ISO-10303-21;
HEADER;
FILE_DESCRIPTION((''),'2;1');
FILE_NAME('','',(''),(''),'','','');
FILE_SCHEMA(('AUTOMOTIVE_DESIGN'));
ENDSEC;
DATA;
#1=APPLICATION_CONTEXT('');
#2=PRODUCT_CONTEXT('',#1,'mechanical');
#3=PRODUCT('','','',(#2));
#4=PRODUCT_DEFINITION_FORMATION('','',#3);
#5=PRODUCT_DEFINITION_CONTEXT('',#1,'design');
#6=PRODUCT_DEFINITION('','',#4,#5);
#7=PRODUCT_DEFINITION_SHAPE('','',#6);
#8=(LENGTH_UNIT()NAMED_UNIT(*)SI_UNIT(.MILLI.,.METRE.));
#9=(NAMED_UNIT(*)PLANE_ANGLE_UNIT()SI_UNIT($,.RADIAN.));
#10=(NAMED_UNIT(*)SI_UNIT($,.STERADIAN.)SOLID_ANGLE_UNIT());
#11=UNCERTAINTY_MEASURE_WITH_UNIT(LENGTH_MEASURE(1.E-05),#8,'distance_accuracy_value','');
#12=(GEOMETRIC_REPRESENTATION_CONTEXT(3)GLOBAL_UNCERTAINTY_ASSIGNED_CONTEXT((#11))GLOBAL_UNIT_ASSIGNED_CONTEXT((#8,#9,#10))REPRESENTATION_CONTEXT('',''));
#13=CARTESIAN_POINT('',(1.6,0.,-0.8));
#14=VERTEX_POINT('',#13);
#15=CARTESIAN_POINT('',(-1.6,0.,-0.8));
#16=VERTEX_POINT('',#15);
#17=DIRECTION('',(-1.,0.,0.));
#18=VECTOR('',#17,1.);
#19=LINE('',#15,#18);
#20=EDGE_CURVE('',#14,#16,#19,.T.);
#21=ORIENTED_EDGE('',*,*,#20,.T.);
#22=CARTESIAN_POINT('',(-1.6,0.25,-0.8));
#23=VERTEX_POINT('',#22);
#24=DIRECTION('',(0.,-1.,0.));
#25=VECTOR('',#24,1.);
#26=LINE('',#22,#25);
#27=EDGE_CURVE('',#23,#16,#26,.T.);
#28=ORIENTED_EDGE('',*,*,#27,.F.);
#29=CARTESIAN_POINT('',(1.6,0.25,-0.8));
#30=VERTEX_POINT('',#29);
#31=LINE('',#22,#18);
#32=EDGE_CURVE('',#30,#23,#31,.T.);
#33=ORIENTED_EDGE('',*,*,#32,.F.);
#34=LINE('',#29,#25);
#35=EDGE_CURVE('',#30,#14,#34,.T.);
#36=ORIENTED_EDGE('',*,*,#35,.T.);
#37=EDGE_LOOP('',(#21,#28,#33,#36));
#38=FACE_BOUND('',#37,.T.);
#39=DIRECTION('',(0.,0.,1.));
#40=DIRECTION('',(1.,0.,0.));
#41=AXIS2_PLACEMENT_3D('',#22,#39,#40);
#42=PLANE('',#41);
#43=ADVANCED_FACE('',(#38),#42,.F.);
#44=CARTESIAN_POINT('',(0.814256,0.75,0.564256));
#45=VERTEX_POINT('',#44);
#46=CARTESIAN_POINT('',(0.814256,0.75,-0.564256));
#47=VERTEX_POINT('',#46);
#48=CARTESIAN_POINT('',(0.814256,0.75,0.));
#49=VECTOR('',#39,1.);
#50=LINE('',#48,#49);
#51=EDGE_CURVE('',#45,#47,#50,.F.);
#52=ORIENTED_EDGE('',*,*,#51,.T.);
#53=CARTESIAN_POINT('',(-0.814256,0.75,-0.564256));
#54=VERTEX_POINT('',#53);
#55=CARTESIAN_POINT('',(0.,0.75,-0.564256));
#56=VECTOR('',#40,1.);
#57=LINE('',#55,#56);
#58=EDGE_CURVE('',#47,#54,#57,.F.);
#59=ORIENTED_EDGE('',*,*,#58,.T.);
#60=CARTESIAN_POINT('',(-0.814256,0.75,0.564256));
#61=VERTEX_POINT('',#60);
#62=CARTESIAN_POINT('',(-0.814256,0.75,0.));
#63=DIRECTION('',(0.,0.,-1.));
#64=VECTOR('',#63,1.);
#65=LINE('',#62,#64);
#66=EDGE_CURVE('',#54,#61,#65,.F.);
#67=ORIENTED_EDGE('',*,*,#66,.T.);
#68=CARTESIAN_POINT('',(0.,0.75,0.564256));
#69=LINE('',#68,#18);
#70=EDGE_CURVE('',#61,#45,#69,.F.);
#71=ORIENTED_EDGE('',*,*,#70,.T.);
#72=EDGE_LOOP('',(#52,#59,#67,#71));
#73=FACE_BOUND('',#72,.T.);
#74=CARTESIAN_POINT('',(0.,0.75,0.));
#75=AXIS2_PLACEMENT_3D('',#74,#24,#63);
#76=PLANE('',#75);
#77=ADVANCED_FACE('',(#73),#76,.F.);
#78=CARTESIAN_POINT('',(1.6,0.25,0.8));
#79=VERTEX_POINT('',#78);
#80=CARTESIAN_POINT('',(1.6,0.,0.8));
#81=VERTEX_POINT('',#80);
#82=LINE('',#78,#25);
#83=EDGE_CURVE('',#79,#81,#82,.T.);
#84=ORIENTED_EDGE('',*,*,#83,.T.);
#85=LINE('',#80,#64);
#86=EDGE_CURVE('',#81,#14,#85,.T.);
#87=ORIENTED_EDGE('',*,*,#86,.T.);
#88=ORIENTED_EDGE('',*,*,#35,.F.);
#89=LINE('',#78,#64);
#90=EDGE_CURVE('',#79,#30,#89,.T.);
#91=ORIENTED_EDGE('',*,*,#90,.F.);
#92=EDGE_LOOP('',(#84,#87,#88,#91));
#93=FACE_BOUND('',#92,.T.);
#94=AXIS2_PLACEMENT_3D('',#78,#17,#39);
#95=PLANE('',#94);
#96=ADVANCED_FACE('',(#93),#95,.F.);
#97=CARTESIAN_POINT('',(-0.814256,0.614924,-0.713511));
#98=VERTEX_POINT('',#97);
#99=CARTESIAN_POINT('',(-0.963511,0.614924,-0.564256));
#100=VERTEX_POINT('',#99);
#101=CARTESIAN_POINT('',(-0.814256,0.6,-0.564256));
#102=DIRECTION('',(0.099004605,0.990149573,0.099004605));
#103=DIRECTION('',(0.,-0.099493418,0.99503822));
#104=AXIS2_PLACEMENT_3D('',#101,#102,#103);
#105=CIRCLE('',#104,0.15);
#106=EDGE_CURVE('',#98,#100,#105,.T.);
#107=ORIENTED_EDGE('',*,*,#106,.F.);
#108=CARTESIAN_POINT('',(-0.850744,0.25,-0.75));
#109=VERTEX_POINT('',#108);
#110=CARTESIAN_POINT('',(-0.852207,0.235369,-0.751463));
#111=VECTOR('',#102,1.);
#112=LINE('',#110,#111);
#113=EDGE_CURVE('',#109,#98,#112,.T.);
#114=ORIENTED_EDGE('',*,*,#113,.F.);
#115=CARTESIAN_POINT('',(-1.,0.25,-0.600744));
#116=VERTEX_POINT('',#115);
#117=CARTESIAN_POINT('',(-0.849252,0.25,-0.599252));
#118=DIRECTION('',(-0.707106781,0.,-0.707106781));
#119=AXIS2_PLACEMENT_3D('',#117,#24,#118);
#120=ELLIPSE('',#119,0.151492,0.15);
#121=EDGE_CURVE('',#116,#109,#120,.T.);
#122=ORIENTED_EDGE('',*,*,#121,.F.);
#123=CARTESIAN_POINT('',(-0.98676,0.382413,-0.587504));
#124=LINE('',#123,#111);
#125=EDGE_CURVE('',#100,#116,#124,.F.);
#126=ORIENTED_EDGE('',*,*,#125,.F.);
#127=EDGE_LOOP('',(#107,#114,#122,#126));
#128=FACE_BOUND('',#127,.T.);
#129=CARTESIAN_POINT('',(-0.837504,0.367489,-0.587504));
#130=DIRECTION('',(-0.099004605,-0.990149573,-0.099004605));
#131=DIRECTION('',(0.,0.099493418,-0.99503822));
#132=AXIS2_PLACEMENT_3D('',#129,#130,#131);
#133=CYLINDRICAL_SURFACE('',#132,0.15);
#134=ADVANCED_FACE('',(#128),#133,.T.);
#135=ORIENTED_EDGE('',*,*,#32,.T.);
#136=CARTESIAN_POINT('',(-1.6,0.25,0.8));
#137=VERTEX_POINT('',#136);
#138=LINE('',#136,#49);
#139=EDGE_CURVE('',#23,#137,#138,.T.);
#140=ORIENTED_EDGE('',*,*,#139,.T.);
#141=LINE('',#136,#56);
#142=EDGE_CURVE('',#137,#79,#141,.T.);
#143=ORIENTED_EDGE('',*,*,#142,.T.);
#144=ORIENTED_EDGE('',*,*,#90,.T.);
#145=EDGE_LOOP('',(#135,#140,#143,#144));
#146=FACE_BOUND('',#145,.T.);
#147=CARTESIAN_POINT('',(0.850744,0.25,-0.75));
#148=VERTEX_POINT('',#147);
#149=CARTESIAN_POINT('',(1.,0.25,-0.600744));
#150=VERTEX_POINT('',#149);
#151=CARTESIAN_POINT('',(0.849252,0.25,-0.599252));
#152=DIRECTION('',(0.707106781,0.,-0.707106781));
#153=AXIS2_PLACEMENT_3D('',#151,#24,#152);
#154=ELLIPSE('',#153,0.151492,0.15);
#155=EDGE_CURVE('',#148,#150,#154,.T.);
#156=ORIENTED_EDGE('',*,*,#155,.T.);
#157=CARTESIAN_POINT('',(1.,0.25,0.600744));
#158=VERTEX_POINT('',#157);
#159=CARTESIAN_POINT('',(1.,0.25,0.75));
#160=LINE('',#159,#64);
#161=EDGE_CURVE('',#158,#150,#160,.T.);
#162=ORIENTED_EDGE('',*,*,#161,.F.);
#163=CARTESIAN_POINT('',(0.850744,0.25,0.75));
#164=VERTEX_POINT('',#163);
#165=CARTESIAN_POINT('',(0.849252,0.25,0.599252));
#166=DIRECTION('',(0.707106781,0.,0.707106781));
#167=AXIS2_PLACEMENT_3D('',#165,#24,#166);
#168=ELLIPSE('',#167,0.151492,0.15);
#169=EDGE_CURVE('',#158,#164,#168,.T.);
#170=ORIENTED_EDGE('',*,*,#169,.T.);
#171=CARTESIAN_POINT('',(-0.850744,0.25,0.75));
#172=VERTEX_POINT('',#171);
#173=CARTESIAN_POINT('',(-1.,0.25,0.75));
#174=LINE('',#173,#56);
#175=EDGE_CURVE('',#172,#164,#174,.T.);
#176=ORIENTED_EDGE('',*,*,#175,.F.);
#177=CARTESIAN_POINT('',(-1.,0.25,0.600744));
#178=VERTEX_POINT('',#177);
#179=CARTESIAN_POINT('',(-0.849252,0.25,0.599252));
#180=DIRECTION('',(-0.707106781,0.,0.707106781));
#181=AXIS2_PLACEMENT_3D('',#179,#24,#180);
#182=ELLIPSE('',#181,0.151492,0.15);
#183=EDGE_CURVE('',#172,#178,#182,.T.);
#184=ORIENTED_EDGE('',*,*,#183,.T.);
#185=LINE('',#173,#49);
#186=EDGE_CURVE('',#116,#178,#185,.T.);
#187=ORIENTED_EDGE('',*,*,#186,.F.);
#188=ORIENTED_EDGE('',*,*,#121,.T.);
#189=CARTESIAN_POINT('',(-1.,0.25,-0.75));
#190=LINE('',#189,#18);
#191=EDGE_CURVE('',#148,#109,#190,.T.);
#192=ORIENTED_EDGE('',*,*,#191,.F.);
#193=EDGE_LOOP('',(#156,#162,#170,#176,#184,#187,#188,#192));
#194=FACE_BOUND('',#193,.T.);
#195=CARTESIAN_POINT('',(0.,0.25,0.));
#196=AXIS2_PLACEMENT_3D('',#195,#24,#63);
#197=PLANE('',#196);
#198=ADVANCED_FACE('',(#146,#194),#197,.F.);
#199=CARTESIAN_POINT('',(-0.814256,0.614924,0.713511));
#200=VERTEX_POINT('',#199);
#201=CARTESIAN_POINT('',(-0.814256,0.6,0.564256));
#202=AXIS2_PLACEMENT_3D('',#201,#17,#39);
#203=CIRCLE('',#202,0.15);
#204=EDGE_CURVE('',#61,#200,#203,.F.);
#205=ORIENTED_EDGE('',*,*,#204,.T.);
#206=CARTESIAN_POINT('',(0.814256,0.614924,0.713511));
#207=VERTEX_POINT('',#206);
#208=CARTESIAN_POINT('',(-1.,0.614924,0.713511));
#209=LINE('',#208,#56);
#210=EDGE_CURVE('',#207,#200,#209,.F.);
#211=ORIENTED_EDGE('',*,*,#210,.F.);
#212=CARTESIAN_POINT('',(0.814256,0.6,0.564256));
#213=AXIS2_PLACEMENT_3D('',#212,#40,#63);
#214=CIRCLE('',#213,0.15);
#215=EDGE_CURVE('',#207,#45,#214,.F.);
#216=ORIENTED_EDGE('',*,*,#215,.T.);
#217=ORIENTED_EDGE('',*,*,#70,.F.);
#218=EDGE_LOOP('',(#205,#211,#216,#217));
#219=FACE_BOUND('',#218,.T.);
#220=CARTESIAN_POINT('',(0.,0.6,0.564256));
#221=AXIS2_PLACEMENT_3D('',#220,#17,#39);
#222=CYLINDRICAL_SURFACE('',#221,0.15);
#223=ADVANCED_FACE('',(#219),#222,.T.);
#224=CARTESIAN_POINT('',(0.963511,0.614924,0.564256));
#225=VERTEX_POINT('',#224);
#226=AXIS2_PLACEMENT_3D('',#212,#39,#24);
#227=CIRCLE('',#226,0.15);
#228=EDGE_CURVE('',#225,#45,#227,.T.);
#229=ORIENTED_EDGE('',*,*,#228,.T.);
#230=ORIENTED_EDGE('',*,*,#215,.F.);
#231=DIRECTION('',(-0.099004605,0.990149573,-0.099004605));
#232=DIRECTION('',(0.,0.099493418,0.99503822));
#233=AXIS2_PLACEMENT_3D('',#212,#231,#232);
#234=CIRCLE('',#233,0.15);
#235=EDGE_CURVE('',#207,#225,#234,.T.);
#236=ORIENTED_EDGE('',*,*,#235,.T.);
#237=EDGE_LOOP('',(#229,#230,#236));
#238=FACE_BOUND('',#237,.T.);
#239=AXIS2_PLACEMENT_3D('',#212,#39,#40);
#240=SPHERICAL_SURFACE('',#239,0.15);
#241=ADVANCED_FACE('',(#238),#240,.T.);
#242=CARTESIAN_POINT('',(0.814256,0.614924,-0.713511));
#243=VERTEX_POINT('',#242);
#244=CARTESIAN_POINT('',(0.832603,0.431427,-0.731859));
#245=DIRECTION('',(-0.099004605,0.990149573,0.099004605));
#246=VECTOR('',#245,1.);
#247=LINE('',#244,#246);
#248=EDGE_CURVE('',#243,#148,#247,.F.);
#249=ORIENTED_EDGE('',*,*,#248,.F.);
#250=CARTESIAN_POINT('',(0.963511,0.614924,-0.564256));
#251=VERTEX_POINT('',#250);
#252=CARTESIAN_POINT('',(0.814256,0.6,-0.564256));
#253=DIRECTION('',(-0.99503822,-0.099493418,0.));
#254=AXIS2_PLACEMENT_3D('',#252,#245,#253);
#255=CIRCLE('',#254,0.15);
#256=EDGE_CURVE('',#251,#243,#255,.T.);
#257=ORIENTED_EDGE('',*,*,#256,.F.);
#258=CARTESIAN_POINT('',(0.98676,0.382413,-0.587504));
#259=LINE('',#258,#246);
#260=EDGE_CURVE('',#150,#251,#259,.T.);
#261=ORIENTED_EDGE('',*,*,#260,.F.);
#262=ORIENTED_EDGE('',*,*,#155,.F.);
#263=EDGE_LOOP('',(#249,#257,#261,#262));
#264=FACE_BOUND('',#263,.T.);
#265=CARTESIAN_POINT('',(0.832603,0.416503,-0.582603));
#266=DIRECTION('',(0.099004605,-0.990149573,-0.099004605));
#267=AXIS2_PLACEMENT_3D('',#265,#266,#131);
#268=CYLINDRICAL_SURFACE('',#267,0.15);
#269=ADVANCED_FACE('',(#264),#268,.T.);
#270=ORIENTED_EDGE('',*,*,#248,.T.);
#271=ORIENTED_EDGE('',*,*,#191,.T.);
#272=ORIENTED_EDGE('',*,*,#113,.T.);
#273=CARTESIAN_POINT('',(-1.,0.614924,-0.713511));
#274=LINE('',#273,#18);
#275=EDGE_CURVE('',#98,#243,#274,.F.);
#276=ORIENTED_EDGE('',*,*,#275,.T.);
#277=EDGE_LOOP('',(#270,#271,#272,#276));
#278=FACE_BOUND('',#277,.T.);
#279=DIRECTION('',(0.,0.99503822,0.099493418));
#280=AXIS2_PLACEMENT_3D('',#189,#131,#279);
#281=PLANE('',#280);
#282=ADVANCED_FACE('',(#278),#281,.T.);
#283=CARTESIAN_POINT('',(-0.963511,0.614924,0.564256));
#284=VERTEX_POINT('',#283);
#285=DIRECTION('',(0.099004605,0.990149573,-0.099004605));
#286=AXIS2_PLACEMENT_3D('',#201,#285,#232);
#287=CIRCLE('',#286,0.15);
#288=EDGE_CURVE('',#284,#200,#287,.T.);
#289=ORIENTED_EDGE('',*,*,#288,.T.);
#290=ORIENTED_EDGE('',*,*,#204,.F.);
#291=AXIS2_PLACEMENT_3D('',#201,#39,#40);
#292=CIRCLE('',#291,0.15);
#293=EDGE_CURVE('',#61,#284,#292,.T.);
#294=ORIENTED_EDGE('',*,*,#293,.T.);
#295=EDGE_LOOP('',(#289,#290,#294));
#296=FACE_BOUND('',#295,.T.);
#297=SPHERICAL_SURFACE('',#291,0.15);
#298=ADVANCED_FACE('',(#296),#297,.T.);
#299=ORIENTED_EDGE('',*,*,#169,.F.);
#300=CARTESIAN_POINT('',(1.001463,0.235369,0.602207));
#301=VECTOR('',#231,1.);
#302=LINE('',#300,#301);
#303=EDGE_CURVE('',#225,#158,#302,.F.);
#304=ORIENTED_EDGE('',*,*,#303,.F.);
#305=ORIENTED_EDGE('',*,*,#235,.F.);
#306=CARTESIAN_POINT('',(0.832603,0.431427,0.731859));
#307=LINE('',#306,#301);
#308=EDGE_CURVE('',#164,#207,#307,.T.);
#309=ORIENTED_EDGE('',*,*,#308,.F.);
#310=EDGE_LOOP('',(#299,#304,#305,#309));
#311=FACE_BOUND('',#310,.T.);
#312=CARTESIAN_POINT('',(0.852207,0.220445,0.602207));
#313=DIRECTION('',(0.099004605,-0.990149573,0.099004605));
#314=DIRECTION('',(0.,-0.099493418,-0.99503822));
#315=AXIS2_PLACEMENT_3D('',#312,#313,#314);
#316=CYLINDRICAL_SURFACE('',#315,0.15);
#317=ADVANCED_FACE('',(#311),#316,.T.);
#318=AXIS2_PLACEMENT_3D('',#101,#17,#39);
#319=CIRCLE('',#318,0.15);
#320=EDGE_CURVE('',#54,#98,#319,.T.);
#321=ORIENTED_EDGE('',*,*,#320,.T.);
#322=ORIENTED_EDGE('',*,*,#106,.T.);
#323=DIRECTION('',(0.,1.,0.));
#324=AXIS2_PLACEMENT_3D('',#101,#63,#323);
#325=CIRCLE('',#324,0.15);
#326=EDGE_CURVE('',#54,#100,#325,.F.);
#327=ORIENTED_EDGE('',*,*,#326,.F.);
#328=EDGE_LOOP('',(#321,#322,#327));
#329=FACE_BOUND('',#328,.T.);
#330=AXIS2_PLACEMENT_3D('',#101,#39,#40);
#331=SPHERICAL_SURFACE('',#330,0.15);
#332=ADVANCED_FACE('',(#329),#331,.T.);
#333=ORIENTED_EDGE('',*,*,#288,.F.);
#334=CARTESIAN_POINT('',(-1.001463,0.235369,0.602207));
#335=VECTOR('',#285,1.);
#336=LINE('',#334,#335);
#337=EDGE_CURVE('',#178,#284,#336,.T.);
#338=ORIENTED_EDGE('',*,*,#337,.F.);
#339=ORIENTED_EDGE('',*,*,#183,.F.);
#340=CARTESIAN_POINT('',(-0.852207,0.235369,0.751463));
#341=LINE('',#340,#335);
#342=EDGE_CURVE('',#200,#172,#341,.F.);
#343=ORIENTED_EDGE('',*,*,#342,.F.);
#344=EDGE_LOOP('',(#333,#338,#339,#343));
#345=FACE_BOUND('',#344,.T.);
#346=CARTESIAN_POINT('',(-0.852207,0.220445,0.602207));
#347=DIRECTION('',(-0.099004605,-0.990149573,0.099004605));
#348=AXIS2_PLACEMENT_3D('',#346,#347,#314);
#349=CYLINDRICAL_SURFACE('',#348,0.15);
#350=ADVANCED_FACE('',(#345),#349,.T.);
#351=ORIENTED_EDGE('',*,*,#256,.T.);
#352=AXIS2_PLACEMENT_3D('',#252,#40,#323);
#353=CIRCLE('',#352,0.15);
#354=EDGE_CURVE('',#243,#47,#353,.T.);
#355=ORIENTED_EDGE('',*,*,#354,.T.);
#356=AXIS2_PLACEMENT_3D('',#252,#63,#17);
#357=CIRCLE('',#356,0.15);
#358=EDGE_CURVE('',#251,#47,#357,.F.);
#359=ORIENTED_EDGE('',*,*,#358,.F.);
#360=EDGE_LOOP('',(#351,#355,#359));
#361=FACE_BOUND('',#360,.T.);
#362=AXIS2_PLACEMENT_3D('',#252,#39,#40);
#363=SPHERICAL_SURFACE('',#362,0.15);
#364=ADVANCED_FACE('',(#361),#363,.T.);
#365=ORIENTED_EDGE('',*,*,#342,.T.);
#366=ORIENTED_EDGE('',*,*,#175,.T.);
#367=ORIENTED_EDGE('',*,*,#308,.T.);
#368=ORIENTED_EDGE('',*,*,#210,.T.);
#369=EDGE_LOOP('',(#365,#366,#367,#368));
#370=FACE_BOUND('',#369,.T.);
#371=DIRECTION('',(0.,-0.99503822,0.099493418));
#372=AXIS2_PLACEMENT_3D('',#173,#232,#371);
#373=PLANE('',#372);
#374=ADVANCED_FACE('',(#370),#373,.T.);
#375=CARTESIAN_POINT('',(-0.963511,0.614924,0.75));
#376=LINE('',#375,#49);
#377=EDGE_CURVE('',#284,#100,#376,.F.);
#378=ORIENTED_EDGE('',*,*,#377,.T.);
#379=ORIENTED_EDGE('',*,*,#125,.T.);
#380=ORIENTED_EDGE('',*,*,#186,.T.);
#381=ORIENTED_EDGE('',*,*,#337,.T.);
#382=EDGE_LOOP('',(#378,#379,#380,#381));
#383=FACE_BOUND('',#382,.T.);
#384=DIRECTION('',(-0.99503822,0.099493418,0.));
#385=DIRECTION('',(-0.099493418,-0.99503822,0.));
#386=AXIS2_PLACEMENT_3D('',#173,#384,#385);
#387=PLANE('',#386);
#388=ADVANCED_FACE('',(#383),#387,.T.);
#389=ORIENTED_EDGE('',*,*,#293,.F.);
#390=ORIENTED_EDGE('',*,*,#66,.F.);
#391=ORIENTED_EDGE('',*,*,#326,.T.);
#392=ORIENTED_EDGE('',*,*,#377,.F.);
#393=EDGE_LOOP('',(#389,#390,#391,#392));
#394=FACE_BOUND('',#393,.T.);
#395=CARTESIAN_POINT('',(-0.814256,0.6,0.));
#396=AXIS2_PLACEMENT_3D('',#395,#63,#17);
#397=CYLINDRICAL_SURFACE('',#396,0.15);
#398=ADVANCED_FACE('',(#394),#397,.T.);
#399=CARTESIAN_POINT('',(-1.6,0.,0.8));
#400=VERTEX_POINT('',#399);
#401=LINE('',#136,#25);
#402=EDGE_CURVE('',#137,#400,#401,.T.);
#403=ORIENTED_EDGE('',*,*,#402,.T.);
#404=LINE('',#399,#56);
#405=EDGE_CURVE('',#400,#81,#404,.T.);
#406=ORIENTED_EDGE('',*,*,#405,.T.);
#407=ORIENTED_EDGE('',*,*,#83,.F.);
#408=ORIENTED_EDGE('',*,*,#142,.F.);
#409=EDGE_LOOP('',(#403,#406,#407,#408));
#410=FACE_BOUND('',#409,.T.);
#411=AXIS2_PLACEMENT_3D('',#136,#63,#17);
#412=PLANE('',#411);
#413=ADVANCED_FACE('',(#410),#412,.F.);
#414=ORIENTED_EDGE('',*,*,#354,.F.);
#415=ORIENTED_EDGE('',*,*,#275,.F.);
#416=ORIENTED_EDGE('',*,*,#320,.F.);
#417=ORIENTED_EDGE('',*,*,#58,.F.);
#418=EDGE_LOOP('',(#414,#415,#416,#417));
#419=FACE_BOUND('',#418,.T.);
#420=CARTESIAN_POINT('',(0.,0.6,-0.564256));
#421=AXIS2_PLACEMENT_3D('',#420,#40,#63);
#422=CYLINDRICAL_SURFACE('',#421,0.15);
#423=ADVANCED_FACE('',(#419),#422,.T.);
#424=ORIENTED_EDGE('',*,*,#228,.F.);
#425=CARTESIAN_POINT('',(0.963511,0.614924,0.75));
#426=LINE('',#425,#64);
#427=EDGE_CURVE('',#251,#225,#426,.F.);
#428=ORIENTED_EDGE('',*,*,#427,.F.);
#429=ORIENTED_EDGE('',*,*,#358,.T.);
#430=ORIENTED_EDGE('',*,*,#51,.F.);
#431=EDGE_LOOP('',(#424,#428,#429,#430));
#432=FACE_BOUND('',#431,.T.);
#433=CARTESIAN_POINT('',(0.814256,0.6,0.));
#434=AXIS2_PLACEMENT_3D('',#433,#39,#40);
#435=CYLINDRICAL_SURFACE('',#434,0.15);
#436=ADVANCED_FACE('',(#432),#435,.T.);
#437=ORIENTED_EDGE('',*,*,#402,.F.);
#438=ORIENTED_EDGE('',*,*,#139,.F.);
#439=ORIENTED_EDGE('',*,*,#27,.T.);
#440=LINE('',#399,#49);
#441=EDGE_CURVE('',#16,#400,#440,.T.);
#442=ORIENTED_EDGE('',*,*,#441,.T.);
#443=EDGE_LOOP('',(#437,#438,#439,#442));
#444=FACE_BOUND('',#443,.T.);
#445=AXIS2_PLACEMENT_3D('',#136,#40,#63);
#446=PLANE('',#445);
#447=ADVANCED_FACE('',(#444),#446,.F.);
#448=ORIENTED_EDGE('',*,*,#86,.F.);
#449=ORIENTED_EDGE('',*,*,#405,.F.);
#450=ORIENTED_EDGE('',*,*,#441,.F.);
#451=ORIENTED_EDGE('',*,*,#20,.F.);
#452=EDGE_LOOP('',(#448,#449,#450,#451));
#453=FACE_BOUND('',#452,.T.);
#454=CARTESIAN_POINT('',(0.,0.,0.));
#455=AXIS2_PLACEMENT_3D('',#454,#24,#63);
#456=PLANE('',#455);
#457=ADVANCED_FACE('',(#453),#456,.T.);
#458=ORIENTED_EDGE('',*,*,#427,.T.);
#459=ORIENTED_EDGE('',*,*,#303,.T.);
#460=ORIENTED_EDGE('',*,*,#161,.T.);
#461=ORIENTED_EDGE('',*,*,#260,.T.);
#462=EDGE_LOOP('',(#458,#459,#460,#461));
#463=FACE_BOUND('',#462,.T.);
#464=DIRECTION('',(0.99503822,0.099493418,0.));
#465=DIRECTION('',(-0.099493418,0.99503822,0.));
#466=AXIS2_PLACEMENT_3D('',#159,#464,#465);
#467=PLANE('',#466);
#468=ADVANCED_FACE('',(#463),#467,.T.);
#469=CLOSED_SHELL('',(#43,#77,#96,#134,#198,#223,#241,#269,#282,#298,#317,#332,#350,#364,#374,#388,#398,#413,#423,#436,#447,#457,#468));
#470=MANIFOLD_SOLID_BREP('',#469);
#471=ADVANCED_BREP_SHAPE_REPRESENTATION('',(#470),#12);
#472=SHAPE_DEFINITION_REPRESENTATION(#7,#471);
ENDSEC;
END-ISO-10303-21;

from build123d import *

# Parameters (mm, degrees)
SKETCH2_W           = 3.2
SKETCH2_H           = 1.6
BOSS_EXTRUDE1_DEPTH = 0.25
SKETCH4_W           = 2
SKETCH4_H           = 1.5
BOSS_EXTRUDE2_DEPTH = 0.5
BOSS_EXTRUDE2_TAPER = 5.71
FILLET1_R           = 0.15


with BuildPart() as part:
    # Sketch2 → Boss-Extrude1 (new body)
    with BuildSketch(Plane(origin=(0, 0, 0), x_dir=(1, 0, 0), z_dir=(0, 1, 0))):
        Rectangle(SKETCH2_W, SKETCH2_H)
    extrude(amount=BOSS_EXTRUDE1_DEPTH)

    # Sketch4 → Boss-Extrude2 (add)
    with BuildSketch(Plane(origin=(0, 0.25, 0), x_dir=(1, 0, 0), z_dir=(0, 1, 0))):
        Rectangle(SKETCH4_W, SKETCH4_H)
    extrude(amount=BOSS_EXTRUDE2_DEPTH, taper=BOSS_EXTRUDE2_TAPER)

    # Fillet1
    fillet1_edges = [part.edges().sort_by_distance(p)[0] for p in [
        (0.975002614, 0.5, 0.725002614),
        (0.975002614, 0.5, -0.725002614),
        (-0.975002614, 0.5, -0.725002614),
        (-0.975002614, 0.5, 0.725002614),
        (0.950005228, 0.75, 0),
        (0, 0.75, -0.700005228),
        (-0.950005228, 0.75, 0),
        (0, 0.75, 0.700005228),
    ]]
    fillet(fillet1_edges, radius=FILLET1_R)


solid = part.part
